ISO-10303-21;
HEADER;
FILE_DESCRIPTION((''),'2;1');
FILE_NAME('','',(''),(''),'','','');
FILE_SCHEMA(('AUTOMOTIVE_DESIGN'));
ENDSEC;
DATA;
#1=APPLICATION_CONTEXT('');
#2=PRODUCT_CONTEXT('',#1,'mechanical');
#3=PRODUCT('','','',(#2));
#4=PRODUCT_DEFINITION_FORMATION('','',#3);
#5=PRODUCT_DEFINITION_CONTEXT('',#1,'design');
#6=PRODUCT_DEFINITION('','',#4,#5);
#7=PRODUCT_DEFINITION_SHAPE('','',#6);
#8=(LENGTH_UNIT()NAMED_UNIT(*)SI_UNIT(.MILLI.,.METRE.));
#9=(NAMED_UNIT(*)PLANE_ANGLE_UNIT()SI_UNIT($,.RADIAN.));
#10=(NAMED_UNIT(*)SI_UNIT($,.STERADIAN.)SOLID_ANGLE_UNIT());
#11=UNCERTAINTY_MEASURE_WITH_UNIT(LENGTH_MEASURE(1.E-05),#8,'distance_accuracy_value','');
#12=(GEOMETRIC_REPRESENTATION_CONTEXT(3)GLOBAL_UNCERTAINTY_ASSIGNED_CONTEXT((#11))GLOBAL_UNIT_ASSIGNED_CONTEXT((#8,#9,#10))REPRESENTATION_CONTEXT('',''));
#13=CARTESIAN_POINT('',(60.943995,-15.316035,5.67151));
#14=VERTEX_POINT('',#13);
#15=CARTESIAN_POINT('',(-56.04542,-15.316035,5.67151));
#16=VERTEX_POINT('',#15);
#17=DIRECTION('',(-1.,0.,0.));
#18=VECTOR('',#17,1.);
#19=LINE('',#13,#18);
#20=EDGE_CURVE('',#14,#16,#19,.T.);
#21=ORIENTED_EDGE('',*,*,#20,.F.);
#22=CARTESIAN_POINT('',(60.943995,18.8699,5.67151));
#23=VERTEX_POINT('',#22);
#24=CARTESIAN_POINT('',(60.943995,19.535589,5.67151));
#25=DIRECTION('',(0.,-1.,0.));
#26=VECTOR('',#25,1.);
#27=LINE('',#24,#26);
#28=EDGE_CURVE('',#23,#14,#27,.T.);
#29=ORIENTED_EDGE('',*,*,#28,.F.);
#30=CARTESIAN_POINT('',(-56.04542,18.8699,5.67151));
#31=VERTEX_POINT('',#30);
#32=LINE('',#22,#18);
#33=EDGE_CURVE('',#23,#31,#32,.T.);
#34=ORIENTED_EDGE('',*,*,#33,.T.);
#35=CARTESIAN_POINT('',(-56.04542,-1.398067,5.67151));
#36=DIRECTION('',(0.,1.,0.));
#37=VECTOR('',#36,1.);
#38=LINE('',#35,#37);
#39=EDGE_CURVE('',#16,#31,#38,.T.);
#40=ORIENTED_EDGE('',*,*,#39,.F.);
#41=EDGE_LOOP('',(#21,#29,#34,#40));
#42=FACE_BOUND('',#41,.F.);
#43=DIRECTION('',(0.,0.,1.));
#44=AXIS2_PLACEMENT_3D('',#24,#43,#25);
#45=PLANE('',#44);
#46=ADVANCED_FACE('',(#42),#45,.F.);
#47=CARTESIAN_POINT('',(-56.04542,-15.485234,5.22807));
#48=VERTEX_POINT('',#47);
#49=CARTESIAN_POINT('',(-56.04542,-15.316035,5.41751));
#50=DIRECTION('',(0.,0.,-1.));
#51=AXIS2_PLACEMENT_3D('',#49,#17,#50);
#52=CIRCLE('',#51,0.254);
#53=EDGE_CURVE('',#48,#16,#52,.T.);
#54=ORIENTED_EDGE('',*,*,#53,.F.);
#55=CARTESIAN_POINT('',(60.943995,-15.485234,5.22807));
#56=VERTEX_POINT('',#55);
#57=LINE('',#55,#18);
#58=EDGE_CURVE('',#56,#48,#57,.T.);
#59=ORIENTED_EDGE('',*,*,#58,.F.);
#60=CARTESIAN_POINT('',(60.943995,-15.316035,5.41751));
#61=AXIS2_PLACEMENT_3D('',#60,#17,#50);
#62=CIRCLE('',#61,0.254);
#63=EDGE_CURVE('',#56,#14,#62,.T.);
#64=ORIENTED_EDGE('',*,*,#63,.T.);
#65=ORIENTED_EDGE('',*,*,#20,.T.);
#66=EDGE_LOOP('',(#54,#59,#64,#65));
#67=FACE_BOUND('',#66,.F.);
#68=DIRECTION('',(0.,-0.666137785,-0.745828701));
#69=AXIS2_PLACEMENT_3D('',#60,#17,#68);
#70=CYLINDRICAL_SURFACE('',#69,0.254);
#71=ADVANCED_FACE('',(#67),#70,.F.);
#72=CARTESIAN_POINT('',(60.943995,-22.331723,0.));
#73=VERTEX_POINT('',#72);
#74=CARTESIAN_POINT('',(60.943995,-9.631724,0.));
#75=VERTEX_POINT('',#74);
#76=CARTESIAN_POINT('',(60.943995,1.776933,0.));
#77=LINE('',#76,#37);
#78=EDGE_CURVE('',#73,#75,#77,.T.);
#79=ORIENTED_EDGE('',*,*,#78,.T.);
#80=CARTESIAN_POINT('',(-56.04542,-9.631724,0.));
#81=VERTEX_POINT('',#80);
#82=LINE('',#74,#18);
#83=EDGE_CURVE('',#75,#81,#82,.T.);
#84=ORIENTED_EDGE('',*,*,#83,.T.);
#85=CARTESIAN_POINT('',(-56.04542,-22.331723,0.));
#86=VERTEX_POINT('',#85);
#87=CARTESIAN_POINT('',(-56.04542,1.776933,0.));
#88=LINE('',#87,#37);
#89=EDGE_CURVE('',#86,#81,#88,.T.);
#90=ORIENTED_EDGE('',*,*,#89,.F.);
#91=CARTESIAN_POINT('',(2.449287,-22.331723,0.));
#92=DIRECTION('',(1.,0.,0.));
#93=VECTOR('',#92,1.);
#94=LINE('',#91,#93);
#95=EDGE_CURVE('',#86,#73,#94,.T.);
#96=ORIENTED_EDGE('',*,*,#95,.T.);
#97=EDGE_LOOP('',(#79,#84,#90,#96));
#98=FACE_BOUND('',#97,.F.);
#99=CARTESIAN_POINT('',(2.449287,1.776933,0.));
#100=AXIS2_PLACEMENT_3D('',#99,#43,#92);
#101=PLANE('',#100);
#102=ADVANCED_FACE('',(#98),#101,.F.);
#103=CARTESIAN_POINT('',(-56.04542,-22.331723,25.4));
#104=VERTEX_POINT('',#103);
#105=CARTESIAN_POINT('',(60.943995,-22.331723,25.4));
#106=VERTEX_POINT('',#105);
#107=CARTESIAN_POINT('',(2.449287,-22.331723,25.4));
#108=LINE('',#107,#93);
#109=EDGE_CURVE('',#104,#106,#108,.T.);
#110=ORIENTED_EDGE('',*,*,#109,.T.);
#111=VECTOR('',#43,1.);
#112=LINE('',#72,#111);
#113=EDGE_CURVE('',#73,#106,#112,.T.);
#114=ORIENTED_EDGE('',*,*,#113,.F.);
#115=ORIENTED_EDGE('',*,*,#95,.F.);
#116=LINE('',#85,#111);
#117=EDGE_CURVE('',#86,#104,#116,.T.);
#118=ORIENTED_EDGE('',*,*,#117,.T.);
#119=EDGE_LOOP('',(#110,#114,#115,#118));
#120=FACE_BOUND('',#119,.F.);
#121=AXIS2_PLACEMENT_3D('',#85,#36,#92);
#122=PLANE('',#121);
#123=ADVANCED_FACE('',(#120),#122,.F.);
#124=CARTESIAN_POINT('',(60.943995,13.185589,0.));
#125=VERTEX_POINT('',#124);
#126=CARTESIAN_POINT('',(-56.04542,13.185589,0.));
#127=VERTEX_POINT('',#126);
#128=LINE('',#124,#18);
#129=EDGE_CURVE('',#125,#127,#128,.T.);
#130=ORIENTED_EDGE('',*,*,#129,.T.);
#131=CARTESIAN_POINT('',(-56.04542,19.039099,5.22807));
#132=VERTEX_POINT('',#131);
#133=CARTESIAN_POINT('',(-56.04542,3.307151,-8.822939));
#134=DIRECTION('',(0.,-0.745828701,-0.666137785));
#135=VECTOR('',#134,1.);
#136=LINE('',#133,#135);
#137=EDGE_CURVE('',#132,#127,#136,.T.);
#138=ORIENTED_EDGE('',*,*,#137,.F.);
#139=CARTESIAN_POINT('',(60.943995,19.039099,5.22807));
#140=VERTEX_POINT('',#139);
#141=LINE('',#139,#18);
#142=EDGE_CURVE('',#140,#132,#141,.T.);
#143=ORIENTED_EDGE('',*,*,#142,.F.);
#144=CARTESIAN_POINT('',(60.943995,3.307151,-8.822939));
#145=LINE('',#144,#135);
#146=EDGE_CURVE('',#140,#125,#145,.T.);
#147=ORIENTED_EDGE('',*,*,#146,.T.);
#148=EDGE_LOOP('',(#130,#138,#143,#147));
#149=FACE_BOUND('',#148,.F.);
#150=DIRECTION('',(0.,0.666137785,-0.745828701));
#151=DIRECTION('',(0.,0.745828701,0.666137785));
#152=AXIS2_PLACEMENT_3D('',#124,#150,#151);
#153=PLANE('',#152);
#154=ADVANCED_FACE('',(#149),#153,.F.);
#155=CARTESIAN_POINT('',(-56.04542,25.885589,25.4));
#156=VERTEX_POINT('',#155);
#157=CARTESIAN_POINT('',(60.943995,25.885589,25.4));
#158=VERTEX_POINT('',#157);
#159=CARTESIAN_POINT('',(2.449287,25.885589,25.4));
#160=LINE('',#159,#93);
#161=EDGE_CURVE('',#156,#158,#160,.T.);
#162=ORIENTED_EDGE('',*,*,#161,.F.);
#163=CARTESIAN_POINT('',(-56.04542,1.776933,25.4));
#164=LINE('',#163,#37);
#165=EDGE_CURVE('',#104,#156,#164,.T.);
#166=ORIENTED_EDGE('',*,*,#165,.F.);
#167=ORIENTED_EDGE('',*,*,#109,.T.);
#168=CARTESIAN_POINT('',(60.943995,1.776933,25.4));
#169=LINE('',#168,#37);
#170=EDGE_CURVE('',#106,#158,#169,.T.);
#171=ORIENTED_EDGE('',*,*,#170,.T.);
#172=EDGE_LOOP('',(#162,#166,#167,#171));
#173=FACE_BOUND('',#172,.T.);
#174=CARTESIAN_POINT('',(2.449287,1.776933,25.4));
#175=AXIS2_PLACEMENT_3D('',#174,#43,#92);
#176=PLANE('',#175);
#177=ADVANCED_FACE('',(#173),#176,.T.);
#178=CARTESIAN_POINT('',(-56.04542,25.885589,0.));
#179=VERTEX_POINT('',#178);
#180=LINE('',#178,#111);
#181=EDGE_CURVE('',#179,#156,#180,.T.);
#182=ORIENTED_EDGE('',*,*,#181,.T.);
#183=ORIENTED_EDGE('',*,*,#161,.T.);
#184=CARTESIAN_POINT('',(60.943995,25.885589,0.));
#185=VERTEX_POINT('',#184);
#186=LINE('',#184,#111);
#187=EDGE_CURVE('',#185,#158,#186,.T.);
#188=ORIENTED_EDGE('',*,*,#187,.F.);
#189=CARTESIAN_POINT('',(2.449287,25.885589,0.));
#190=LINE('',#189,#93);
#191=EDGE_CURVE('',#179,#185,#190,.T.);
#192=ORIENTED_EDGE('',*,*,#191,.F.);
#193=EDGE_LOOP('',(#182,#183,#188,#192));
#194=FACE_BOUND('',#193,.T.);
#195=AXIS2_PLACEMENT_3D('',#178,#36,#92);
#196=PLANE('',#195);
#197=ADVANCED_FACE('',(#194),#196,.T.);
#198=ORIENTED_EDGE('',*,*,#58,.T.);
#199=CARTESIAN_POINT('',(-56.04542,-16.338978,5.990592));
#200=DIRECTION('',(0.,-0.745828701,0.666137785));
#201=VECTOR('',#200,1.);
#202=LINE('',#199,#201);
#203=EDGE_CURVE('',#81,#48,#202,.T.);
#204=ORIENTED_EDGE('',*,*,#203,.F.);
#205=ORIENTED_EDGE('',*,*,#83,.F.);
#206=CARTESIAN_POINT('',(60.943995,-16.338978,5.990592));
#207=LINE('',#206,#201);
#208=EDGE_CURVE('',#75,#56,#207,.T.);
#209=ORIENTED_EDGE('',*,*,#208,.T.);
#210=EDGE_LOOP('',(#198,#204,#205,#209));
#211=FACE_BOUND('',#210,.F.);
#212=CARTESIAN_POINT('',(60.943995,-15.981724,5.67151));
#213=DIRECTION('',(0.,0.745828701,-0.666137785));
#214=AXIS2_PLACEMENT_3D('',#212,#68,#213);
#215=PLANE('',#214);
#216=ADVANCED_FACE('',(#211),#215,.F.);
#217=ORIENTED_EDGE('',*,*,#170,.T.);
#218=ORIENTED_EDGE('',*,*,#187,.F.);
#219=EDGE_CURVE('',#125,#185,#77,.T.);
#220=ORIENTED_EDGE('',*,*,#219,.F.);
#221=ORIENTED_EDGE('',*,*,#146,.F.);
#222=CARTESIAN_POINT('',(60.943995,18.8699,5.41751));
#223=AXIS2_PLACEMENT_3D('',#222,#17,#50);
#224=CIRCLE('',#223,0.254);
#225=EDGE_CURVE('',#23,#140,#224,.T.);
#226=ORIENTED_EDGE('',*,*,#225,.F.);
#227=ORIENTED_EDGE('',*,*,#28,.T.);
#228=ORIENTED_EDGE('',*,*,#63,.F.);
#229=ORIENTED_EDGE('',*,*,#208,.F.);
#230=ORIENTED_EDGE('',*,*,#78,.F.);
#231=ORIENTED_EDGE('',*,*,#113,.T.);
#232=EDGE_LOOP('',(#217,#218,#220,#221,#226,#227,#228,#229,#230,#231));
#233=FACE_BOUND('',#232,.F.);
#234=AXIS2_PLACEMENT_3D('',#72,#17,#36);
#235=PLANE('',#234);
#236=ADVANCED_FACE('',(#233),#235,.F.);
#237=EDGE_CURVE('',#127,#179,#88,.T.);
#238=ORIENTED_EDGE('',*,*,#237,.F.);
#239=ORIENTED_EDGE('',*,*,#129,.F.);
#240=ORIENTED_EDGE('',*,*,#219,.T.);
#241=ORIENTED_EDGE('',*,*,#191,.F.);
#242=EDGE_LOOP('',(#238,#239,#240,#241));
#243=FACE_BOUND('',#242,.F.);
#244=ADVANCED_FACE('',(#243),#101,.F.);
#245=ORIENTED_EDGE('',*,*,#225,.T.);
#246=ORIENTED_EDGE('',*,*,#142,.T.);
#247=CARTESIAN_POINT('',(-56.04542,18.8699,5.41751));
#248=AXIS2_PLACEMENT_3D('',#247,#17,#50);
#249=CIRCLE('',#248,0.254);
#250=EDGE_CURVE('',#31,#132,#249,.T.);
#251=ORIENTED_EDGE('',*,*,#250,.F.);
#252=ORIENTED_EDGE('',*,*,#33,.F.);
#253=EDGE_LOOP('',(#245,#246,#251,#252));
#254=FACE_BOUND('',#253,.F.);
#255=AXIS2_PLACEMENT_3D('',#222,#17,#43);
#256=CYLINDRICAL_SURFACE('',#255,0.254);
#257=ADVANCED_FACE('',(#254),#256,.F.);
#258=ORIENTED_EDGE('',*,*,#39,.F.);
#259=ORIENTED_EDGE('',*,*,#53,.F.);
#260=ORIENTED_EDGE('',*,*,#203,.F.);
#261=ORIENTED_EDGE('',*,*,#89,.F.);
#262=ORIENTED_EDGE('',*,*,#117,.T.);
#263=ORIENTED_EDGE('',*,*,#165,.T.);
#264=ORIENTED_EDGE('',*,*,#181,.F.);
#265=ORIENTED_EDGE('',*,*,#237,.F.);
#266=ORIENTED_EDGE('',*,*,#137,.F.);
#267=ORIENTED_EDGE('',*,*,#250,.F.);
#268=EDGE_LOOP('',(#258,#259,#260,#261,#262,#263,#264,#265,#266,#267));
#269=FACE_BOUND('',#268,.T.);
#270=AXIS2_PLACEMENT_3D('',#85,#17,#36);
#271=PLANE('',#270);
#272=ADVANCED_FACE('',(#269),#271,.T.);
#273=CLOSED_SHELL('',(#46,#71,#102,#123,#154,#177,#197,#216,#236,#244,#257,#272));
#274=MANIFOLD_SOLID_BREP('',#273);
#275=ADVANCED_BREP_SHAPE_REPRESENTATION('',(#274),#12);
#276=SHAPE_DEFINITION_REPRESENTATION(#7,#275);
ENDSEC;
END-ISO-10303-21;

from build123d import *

# Parameters (mm, degrees)
F0_W     = 116.989415
F0_H     = 48.217313
F1_DEPTH = 25.4
F3_DEPTH = 116.990415
F4_R     = 0.254


with BuildPart() as f1:
    # F0 (on Top) → F1 (new body)
    with BuildSketch(Plane.XY):
        with Locations((2.449287, 1.776933)):
            Rectangle(F0_W, F0_H)
    extrude(amount=F1_DEPTH)

    # F2 (on face) → F3 (cut, through all)
    with BuildSketch(Plane.YZ.offset(60.943995)):
        Polygon((-15.981724, 5.67151), (-9.631724, 0), (13.185589, 0), (19.535589, 5.67151), align=None)
    extrude(amount=-F3_DEPTH, mode=Mode.SUBTRACT)

    # F4
    f4_edges = [f1.edges().sort_by_distance(p)[0] for p in [
        (2.449287, -15.981724, 5.67151),
        (2.449287, 19.535589, 5.67151),
    ]]
    fillet(f4_edges, radius=F4_R)


solid = f1.part
